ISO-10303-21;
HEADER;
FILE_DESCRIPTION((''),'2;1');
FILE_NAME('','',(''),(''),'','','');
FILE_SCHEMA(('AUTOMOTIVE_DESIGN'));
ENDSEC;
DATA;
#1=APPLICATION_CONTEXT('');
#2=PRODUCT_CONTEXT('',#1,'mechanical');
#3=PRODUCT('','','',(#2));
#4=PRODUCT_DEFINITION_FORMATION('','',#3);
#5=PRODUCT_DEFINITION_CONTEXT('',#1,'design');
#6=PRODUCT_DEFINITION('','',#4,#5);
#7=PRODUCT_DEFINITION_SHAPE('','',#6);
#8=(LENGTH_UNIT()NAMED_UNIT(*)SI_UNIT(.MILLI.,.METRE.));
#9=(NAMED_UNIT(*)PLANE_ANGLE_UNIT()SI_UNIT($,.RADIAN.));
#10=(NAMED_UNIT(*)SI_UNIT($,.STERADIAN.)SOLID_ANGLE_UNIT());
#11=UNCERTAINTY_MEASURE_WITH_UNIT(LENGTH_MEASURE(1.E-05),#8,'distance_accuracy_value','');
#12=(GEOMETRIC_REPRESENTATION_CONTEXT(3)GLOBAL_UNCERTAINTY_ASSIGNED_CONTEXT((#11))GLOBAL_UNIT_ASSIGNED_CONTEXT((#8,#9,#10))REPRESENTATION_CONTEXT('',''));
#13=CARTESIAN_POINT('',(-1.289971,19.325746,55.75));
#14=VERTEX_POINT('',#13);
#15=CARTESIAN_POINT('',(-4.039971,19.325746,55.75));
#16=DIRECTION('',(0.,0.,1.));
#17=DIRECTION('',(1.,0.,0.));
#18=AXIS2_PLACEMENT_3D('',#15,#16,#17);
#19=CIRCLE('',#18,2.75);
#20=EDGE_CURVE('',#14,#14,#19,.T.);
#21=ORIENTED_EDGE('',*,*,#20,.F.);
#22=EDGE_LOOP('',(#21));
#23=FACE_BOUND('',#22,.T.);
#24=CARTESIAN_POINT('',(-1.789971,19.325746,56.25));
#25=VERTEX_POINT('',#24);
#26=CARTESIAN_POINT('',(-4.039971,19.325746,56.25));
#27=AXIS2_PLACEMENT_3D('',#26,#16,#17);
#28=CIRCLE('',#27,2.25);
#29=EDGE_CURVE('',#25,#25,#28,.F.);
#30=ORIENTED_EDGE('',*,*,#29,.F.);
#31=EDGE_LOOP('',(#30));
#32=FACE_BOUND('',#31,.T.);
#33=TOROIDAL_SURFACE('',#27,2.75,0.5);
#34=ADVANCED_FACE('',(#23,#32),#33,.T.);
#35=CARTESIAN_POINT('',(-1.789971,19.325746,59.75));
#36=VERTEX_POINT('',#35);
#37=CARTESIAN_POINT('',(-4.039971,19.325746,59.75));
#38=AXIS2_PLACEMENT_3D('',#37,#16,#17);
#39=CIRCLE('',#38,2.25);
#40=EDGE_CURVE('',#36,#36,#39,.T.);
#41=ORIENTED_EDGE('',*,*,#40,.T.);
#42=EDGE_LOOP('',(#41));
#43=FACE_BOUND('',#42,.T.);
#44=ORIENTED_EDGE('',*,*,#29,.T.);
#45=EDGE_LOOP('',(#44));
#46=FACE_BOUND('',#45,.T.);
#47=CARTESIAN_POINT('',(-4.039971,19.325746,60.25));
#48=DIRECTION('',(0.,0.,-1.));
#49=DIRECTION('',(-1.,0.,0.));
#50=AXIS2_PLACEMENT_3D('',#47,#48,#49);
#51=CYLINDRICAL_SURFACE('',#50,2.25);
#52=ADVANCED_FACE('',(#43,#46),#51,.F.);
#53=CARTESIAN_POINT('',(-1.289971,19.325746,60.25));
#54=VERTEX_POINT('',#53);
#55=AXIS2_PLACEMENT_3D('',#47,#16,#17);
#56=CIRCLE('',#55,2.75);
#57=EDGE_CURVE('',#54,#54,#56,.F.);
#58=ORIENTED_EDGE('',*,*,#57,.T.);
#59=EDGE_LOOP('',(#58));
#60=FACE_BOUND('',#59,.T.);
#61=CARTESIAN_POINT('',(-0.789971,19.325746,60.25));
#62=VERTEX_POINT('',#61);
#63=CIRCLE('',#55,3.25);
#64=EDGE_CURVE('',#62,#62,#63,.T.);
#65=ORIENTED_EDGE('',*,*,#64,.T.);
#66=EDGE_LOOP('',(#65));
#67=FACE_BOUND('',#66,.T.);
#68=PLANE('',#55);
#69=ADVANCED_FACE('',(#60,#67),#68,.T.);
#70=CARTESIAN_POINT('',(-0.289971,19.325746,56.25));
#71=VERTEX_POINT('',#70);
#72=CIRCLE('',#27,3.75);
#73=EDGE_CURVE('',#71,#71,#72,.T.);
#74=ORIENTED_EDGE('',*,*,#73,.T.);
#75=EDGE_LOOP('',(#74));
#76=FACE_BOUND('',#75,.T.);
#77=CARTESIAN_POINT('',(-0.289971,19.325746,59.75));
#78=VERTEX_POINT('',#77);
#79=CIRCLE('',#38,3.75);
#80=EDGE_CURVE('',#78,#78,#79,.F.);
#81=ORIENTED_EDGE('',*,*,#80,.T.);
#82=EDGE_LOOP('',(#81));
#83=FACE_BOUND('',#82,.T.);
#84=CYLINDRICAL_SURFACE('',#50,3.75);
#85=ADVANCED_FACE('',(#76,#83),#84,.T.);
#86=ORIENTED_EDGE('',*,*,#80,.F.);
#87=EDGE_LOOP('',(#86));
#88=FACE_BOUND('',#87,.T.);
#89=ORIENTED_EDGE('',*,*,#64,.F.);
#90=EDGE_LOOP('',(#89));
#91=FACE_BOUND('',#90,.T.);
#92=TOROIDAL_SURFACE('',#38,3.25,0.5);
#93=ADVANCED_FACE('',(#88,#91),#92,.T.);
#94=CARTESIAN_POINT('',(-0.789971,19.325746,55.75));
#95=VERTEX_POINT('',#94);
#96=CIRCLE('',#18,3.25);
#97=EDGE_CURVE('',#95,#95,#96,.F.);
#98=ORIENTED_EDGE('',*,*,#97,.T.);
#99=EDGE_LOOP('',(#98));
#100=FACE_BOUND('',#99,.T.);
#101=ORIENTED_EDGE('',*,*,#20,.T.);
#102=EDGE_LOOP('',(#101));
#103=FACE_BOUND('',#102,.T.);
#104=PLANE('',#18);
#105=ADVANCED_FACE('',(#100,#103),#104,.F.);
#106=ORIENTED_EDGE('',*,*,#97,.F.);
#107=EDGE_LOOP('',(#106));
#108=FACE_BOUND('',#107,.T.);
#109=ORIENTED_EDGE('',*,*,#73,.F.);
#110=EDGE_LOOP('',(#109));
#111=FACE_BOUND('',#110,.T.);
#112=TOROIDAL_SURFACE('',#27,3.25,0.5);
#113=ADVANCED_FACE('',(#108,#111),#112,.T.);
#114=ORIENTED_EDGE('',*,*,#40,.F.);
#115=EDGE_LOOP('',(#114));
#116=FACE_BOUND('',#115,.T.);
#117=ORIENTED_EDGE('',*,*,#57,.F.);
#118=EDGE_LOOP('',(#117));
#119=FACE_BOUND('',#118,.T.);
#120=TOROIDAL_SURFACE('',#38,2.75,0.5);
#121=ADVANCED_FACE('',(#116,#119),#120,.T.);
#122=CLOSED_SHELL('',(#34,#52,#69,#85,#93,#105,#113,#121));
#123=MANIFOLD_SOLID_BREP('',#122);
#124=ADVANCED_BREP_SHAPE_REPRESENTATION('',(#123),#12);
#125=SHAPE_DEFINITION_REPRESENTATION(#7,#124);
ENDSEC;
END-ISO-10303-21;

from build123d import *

# Parameters (mm, degrees)
SKETCH1_R           = 3.75
SKETCH1_R_2         = 2.25
BOSS_EXTRUDE2_DEPTH = 2.25
FILLET1_R           = 0.5


with BuildPart() as part:
    # Sketch1 → Boss-Extrude2 (new, symmetric)
    with BuildSketch(Plane.XY.offset(58)):
        with Locations((-4.039970845, 19.325746234)):
            Circle(SKETCH1_R)
        with Locations((-4.039970845, 19.325746234)):
            Circle(SKETCH1_R_2, mode=Mode.SUBTRACT)
    extrude(amount=BOSS_EXTRUDE2_DEPTH, both=True)

    # Fillet1
    fillet1_edges = [part.edges().sort_by_distance(p)[0] for p in [
        (-7.789970845, 19.325746234, 55.75),
        (-7.789970845, 19.325746234, 60.25),
        (-6.289970845, 19.325746234, 55.75),
        (-6.289970845, 19.325746234, 60.25),
    ]]
    fillet(fillet1_edges, radius=FILLET1_R)


solid = part.part
